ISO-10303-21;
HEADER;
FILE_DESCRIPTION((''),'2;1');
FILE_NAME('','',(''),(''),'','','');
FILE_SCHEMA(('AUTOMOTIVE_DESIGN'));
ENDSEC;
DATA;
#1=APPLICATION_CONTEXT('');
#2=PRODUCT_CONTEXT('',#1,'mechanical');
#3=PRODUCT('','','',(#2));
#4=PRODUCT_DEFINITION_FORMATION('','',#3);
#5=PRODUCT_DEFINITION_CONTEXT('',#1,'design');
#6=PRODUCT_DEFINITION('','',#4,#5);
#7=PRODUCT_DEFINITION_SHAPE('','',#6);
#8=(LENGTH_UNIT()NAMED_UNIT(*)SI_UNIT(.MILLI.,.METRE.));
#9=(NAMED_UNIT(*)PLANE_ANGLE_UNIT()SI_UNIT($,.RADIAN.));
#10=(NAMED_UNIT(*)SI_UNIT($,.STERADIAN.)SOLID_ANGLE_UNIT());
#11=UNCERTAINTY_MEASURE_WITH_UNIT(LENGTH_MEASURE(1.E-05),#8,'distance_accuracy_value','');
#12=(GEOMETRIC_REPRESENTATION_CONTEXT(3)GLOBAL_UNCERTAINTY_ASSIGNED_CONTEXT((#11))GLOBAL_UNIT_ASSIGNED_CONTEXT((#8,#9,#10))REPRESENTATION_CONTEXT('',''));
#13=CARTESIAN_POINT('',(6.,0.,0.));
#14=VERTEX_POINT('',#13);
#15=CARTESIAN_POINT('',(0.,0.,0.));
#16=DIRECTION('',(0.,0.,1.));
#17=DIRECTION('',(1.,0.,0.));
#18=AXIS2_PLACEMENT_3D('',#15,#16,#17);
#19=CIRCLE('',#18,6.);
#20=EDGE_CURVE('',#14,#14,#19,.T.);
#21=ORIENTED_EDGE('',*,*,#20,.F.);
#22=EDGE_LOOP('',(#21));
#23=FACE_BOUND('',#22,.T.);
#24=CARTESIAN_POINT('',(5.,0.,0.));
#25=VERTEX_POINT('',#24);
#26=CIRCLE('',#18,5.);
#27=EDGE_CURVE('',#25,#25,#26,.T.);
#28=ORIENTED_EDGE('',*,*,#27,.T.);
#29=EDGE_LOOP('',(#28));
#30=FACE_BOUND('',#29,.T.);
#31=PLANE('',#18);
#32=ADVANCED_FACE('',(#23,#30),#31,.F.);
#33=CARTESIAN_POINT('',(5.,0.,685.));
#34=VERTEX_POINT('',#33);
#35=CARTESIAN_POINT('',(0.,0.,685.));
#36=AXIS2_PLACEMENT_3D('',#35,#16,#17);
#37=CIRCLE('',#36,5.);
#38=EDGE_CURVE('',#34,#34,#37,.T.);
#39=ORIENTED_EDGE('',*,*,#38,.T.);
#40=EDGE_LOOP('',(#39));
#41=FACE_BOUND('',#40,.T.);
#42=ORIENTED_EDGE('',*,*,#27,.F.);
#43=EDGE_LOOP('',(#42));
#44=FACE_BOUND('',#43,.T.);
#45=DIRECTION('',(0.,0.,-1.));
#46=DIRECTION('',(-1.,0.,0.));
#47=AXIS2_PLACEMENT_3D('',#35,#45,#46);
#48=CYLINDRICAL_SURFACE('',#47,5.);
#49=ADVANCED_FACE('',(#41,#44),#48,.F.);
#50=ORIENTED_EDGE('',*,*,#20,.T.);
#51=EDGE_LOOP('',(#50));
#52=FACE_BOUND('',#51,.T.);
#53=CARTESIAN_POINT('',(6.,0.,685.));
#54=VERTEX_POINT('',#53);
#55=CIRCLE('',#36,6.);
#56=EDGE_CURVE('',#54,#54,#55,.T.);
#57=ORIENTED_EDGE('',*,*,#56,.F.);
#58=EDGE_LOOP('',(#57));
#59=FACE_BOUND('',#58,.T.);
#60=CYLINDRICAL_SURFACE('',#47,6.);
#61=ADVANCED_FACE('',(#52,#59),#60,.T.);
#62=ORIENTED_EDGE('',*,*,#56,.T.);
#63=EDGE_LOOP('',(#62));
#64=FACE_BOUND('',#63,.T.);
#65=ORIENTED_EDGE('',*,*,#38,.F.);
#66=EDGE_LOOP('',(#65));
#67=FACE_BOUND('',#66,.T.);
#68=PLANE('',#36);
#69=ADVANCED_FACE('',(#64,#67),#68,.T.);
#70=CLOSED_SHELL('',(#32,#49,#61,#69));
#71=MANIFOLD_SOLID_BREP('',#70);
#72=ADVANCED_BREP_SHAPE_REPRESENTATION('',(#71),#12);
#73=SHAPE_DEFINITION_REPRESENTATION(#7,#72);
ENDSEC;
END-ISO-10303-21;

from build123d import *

# Parameters (mm, degrees)
SKETCH_1_R      = 6
SKETCH_1_R_2    = 5
EXTRUDE_1_DEPTH = 685


with BuildPart() as part:
    # 草图1 → 拉伸-薄壁1 (new body)
    with BuildSketch(Plane.XY):
        Circle(SKETCH_1_R)
        Circle(SKETCH_1_R_2, mode=Mode.SUBTRACT)
    extrude(amount=EXTRUDE_1_DEPTH)


solid = part.part
